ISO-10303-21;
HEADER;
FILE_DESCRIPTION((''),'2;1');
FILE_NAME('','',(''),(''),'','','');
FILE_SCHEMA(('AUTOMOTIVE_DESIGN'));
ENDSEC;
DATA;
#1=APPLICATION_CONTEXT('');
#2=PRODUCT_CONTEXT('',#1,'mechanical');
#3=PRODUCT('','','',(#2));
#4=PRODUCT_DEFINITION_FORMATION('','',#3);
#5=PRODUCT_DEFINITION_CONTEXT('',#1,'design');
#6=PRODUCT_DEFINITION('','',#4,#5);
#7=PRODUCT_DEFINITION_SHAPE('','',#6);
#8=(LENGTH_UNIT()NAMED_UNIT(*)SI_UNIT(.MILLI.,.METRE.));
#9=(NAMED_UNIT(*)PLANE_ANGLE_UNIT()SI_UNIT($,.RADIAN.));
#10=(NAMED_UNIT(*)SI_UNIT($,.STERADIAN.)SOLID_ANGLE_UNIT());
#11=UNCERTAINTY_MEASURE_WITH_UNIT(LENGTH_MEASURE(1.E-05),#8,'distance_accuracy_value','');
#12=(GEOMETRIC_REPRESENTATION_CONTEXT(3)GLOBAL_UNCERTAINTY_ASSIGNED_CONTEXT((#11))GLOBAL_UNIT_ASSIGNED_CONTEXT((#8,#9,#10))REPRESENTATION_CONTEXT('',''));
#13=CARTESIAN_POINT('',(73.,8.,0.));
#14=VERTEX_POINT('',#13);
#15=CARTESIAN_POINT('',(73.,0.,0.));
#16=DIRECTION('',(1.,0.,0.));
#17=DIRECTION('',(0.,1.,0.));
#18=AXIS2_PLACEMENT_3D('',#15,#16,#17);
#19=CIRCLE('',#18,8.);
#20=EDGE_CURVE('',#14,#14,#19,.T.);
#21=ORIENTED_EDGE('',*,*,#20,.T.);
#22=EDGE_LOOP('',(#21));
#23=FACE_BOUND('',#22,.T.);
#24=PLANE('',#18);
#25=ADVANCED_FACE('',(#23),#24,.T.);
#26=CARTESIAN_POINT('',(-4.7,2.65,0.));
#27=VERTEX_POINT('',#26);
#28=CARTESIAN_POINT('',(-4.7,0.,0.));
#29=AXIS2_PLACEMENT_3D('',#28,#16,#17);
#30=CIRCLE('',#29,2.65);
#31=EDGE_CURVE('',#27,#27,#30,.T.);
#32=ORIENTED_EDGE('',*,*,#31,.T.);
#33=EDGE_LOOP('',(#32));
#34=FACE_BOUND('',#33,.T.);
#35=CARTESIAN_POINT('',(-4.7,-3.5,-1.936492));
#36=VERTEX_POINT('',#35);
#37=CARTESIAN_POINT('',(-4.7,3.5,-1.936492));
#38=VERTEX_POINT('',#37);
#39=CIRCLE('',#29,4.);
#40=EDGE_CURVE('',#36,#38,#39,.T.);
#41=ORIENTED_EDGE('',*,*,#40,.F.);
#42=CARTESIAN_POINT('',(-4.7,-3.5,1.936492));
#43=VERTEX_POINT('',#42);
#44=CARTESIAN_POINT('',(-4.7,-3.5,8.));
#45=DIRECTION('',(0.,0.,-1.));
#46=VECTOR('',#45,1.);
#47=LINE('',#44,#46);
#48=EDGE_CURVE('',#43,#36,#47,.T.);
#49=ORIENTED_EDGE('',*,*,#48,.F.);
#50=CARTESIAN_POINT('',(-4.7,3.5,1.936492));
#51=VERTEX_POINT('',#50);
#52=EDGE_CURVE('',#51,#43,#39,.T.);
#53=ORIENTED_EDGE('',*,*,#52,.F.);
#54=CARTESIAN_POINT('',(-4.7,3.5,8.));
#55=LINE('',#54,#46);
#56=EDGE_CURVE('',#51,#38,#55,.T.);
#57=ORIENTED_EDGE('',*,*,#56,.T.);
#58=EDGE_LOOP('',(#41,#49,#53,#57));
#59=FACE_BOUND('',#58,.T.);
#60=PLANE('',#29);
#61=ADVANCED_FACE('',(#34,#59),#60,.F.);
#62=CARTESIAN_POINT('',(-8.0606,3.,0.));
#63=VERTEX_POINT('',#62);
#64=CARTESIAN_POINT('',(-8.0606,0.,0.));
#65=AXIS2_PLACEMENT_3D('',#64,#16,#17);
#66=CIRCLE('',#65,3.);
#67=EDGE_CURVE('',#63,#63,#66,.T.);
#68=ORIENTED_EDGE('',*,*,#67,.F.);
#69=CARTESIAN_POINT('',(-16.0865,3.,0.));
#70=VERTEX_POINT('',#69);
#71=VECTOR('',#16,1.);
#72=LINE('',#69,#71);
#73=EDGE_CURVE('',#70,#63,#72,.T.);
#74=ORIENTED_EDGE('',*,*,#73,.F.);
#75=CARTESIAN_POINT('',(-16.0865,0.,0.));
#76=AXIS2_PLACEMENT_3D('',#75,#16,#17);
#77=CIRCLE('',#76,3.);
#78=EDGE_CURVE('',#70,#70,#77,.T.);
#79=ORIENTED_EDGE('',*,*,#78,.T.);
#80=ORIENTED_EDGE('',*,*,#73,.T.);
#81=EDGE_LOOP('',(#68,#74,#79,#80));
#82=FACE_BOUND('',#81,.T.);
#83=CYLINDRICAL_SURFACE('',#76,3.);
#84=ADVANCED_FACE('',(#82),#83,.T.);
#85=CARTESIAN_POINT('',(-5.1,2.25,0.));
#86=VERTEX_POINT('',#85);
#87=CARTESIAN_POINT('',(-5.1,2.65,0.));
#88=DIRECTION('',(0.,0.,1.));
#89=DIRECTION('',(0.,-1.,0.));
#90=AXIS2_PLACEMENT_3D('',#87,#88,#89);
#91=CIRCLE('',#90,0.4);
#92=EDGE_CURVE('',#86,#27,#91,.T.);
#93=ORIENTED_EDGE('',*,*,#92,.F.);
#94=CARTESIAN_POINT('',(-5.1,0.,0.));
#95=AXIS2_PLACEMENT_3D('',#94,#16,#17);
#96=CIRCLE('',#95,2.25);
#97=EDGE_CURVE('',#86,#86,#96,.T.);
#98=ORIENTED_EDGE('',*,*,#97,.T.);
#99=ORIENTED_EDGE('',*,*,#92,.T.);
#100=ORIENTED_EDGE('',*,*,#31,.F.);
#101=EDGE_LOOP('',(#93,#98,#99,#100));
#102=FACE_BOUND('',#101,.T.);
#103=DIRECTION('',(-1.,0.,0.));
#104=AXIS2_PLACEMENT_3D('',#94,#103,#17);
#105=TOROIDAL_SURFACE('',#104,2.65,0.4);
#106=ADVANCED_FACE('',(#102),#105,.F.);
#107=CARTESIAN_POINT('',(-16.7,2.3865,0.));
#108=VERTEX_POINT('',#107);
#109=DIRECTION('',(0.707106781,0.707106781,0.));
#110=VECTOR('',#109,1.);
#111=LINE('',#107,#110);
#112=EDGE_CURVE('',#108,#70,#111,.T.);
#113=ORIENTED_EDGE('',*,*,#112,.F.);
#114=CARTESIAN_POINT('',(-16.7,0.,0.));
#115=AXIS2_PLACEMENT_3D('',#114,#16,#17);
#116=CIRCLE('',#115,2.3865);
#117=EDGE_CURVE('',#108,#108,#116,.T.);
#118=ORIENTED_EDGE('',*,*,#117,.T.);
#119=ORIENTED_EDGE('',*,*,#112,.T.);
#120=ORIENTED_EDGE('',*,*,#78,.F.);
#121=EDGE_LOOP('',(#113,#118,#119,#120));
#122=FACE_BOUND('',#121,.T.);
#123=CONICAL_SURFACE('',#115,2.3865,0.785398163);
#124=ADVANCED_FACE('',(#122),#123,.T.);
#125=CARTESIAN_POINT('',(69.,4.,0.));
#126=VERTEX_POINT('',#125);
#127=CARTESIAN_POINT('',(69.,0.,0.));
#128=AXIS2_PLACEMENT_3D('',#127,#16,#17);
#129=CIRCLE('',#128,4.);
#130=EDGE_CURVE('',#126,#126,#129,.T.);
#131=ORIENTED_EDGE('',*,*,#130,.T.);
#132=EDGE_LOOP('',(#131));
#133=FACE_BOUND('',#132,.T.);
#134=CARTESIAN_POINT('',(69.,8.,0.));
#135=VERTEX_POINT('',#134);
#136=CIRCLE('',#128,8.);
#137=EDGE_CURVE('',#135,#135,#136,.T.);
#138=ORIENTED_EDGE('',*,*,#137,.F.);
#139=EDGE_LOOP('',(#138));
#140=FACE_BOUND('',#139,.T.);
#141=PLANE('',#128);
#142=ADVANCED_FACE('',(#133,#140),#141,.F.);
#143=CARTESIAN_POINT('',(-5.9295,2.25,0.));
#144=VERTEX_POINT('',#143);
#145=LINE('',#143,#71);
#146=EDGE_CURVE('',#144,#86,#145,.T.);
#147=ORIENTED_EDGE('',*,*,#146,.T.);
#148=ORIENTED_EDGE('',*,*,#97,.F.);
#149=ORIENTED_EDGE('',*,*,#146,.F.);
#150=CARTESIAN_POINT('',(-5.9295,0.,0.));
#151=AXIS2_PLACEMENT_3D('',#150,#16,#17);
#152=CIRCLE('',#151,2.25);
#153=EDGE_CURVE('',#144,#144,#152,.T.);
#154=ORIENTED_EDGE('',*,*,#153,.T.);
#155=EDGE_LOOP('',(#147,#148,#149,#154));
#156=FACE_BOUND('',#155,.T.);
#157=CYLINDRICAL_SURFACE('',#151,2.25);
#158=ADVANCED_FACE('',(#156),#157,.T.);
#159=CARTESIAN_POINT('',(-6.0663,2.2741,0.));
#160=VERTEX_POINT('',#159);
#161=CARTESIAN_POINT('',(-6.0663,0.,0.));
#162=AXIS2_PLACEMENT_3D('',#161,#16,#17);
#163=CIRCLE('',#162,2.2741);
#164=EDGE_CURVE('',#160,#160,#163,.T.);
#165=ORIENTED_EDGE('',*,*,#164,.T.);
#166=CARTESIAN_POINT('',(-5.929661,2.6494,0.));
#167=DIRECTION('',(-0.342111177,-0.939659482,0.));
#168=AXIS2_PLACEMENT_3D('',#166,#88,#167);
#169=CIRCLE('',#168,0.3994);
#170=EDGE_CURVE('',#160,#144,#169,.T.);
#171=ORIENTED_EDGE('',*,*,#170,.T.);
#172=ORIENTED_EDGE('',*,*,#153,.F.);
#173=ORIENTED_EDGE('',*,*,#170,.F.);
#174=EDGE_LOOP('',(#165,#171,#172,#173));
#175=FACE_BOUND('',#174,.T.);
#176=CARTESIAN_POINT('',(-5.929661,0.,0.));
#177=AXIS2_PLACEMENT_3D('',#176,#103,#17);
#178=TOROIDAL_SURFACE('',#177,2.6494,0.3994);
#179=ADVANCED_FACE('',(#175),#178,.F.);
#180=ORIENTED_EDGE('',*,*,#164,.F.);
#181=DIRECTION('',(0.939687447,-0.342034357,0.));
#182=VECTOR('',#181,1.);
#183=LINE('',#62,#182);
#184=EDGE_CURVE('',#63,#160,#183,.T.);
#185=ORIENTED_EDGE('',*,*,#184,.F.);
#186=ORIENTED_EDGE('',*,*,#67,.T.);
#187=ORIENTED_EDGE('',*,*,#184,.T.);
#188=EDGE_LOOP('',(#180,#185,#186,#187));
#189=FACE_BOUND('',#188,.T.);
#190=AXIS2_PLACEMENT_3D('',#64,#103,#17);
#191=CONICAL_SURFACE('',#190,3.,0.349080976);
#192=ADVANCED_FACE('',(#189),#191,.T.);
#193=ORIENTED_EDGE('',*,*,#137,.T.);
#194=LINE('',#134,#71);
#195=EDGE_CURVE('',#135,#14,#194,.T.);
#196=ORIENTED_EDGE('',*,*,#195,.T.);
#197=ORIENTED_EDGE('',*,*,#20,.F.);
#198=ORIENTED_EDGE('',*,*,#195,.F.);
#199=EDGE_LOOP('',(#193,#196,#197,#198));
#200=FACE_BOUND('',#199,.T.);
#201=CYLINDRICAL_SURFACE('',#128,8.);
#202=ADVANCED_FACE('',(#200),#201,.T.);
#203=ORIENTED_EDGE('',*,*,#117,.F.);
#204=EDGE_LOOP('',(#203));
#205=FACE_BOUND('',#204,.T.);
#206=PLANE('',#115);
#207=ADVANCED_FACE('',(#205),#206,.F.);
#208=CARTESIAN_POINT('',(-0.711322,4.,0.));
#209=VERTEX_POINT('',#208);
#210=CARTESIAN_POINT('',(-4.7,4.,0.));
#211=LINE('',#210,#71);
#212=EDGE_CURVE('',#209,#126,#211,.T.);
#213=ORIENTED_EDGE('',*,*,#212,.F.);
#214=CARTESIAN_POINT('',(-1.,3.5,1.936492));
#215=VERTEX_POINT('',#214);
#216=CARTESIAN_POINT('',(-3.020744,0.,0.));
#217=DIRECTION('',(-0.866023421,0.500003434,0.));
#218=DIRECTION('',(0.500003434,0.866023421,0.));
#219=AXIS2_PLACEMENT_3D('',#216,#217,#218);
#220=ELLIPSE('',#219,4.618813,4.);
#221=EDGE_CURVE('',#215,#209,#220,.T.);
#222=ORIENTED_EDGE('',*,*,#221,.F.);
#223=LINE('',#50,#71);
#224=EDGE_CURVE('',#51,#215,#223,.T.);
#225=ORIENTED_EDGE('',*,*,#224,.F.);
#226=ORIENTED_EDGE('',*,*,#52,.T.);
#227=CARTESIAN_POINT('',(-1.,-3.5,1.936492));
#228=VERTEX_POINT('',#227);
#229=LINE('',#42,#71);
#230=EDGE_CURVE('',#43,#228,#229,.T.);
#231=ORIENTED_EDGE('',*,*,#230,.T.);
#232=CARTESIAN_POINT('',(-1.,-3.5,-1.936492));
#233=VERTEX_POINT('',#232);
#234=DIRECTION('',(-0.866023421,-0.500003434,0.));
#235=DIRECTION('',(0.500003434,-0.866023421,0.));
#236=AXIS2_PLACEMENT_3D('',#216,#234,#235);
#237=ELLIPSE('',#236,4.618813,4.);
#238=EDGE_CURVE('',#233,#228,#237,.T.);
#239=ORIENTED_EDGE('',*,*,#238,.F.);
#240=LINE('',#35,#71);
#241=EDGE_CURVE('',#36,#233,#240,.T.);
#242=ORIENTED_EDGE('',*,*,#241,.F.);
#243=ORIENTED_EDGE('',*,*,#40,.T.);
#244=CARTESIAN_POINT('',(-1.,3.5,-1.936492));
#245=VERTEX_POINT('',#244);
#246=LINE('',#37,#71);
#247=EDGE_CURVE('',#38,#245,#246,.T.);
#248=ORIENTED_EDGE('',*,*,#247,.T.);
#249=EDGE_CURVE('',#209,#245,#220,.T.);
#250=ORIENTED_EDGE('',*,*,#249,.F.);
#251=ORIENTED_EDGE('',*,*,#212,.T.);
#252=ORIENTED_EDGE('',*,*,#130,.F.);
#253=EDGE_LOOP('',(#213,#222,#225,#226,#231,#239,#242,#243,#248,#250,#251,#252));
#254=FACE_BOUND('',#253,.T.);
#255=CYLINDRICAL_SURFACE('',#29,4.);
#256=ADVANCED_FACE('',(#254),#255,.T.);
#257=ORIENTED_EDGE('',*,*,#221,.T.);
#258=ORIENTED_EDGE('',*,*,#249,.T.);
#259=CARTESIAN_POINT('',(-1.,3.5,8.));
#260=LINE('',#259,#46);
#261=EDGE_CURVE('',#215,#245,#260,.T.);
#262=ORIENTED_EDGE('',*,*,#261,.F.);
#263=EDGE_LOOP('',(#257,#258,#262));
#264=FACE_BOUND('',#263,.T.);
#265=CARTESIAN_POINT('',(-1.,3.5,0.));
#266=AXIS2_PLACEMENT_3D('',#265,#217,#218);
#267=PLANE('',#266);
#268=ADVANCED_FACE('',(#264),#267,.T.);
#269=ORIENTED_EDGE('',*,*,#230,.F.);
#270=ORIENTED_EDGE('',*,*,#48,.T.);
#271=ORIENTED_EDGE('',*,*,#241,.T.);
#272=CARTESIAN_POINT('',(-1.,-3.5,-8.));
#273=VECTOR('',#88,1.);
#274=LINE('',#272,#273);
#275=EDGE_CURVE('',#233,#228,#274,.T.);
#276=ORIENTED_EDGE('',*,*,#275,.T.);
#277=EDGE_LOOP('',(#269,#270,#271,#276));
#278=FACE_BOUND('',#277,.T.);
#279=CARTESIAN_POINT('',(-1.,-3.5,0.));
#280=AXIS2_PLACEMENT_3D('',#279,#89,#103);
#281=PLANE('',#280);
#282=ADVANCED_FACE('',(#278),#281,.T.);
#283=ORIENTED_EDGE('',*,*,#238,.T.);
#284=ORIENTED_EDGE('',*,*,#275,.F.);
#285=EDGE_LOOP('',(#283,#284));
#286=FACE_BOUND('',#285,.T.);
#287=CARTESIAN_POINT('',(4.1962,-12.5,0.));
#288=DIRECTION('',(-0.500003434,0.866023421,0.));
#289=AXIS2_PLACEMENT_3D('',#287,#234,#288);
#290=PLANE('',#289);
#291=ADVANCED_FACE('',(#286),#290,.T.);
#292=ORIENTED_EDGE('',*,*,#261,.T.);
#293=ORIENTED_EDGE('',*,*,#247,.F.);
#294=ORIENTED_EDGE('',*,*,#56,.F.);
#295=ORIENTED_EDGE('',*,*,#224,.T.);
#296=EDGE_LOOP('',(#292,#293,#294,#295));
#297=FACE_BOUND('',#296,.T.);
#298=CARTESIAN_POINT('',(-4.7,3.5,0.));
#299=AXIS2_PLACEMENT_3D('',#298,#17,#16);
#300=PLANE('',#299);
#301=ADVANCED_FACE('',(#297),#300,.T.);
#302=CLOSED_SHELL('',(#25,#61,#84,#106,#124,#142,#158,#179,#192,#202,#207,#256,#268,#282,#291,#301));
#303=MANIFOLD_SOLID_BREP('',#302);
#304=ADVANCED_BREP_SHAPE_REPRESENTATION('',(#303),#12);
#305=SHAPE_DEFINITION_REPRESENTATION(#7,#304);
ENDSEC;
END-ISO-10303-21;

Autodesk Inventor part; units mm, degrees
sketch "Sketch_1" plane through (0, 0, 0) normal (0, 0, 1) x (1, 0, 0)
  line L0 (73, 0) -> (-4.7, 0)
  line L1 (-4.7, 0) -> (-4.7, 4)
  line L2 (-4.7, 4) -> (73, 4)
  line L3 (73, 4) -> (73, 0)
  line L4 (73, 0) -> (-4.7, 0)
revolve "Revolution1" add sketch "Sketch_1" angle 360 about axis through (73, 0, 0) along (1, 0, 0)
sketch "Sketch_11" plane through (0, 0, 0) normal (0, 0, 1) x (1, 0, 0)
  line L0 (73, 0) -> (69, 0)
  line L1 (69, 0) -> (69, 8)
  line L2 (69, 8) -> (73, 8)
  line L3 (73, 8) -> (73, 0)
  line L4 (73, 0) -> (69, 0)
revolve "Revolution2" add sketch "Sketch_11" angle 360 about axis through (73, 0, 0) along (1, 0, 0)
sketch "Sketch_19" plane through (0, 0, 0) normal (0, 0, 1) x (1, 0, 0)
  line L0 (-3.7, 0) -> (-16.7, 0)
  line L1 (-16.7, 0) -> (-16.7, 2.3865)
  line L2 (-16.7, 2.3865) -> (-16.0865, 3)
  line L3 (-16.0865, 3) -> (-8.0606, 3)
  line L4 (-8.0606, 3) -> (-6.0663, 2.2741)
  arc A0 (-6.0663, 2.2741) -> (-5.9295, 2.25) centre (-5.9295, 2.65) ccw
  line L5 (-5.9295, 2.25) -> (-5.1, 2.25)
  arc A1 (-5.1, 2.25) -> (-4.7, 2.65) centre (-5.1, 2.65) ccw
  line L6 (-4.7, 2.65) -> (-4.7, 3)
  line L7 (-4.7, 3) -> (-3.7, 3)
  line L8 (-3.7, 3) -> (-3.7, 0)
  line L9 (-3.7, 0) -> (-16.7, 0)
revolve "Revolution3" add sketch "Sketch_19" angle 360 about axis through (-3.7, 0, 0) along (1, 0, 0)
thread "Thread1" size "M6x1" class "6g" standard "ISO Metric profile" full length
sketch "Sketch_20" plane through (0, 0, 0) normal (0, 0, 1) x (1, 0, 0)
  line L0 (-26.4, -12.5) -> (4.1962, -12.5)
  line L1 (4.1962, -12.5) -> (-1, -3.5)
  line L2 (-1, -3.5) -> (-4.7, -3.5)
  line L3 (-4.7, -3.5) -> (-4.7, -8.5)
  line L4 (-4.7, -8.5) -> (-21.7, -8.5)
  line L5 (-21.7, -8.5) -> (-21.7, 8.5)
  line L6 (-21.7, 8.5) -> (-4.7, 8.5)
  line L7 (-4.7, 8.5) -> (-4.7, 3.5)
  line L8 (-4.7, 3.5) -> (-1, 3.5)
  line L9 (-1, 3.5) -> (4.1962, 12.5)
  line L10 (4.1962, 12.5) -> (-26.4, 12.5)
  line L11 (-26.4, 12.5) -> (-26.4, -12.5)
extrude "Extrusion1" cut sketch "Sketch_20" along normal mid plane 16
ref_plane "FDT_PIRODACC_M1_XY" through (-10.9, 0, 0) normal (-1, 0, 0) x (0, 1, 0)
ref_plane "FDT_PIRODACC_M1_YZ" through (-10.9, 0, 0) normal (0, 1, 0) x (0, 0, -1)
ref_plane "FDT_PIRODACC_M1_ZX" through (-10.9, 0, 0) normal (0, 0, -1) x (-1, 0, 0)
ref_plane "NUT1_XY" through (-9.3, 0, 0) normal (1, 0, 0) x (0, 0, -1)
ref_plane "NUT1_YZ" through (-9.3, 0, 0) normal (0, 0, -1) x (0, 1, 0)
ref_plane "NUT1_ZX" through (-9.3, 0, 0) normal (0, 1, 0) x (1, 0, 0)
ref_plane "PISTON_XY" through (73, 0, 0) normal (1, 0, 0) x (0, 0, -1)
ref_plane "PISTON_YZ" through (73, 0, 0) normal (0, 0, -1) x (0, 1, 0)
ref_plane "PISTON_ZX" through (73, 0, 0) normal (0, 1, 0) x (1, 0, 0)
properties part number "536218 ADN-50-P-A_(KS)"
